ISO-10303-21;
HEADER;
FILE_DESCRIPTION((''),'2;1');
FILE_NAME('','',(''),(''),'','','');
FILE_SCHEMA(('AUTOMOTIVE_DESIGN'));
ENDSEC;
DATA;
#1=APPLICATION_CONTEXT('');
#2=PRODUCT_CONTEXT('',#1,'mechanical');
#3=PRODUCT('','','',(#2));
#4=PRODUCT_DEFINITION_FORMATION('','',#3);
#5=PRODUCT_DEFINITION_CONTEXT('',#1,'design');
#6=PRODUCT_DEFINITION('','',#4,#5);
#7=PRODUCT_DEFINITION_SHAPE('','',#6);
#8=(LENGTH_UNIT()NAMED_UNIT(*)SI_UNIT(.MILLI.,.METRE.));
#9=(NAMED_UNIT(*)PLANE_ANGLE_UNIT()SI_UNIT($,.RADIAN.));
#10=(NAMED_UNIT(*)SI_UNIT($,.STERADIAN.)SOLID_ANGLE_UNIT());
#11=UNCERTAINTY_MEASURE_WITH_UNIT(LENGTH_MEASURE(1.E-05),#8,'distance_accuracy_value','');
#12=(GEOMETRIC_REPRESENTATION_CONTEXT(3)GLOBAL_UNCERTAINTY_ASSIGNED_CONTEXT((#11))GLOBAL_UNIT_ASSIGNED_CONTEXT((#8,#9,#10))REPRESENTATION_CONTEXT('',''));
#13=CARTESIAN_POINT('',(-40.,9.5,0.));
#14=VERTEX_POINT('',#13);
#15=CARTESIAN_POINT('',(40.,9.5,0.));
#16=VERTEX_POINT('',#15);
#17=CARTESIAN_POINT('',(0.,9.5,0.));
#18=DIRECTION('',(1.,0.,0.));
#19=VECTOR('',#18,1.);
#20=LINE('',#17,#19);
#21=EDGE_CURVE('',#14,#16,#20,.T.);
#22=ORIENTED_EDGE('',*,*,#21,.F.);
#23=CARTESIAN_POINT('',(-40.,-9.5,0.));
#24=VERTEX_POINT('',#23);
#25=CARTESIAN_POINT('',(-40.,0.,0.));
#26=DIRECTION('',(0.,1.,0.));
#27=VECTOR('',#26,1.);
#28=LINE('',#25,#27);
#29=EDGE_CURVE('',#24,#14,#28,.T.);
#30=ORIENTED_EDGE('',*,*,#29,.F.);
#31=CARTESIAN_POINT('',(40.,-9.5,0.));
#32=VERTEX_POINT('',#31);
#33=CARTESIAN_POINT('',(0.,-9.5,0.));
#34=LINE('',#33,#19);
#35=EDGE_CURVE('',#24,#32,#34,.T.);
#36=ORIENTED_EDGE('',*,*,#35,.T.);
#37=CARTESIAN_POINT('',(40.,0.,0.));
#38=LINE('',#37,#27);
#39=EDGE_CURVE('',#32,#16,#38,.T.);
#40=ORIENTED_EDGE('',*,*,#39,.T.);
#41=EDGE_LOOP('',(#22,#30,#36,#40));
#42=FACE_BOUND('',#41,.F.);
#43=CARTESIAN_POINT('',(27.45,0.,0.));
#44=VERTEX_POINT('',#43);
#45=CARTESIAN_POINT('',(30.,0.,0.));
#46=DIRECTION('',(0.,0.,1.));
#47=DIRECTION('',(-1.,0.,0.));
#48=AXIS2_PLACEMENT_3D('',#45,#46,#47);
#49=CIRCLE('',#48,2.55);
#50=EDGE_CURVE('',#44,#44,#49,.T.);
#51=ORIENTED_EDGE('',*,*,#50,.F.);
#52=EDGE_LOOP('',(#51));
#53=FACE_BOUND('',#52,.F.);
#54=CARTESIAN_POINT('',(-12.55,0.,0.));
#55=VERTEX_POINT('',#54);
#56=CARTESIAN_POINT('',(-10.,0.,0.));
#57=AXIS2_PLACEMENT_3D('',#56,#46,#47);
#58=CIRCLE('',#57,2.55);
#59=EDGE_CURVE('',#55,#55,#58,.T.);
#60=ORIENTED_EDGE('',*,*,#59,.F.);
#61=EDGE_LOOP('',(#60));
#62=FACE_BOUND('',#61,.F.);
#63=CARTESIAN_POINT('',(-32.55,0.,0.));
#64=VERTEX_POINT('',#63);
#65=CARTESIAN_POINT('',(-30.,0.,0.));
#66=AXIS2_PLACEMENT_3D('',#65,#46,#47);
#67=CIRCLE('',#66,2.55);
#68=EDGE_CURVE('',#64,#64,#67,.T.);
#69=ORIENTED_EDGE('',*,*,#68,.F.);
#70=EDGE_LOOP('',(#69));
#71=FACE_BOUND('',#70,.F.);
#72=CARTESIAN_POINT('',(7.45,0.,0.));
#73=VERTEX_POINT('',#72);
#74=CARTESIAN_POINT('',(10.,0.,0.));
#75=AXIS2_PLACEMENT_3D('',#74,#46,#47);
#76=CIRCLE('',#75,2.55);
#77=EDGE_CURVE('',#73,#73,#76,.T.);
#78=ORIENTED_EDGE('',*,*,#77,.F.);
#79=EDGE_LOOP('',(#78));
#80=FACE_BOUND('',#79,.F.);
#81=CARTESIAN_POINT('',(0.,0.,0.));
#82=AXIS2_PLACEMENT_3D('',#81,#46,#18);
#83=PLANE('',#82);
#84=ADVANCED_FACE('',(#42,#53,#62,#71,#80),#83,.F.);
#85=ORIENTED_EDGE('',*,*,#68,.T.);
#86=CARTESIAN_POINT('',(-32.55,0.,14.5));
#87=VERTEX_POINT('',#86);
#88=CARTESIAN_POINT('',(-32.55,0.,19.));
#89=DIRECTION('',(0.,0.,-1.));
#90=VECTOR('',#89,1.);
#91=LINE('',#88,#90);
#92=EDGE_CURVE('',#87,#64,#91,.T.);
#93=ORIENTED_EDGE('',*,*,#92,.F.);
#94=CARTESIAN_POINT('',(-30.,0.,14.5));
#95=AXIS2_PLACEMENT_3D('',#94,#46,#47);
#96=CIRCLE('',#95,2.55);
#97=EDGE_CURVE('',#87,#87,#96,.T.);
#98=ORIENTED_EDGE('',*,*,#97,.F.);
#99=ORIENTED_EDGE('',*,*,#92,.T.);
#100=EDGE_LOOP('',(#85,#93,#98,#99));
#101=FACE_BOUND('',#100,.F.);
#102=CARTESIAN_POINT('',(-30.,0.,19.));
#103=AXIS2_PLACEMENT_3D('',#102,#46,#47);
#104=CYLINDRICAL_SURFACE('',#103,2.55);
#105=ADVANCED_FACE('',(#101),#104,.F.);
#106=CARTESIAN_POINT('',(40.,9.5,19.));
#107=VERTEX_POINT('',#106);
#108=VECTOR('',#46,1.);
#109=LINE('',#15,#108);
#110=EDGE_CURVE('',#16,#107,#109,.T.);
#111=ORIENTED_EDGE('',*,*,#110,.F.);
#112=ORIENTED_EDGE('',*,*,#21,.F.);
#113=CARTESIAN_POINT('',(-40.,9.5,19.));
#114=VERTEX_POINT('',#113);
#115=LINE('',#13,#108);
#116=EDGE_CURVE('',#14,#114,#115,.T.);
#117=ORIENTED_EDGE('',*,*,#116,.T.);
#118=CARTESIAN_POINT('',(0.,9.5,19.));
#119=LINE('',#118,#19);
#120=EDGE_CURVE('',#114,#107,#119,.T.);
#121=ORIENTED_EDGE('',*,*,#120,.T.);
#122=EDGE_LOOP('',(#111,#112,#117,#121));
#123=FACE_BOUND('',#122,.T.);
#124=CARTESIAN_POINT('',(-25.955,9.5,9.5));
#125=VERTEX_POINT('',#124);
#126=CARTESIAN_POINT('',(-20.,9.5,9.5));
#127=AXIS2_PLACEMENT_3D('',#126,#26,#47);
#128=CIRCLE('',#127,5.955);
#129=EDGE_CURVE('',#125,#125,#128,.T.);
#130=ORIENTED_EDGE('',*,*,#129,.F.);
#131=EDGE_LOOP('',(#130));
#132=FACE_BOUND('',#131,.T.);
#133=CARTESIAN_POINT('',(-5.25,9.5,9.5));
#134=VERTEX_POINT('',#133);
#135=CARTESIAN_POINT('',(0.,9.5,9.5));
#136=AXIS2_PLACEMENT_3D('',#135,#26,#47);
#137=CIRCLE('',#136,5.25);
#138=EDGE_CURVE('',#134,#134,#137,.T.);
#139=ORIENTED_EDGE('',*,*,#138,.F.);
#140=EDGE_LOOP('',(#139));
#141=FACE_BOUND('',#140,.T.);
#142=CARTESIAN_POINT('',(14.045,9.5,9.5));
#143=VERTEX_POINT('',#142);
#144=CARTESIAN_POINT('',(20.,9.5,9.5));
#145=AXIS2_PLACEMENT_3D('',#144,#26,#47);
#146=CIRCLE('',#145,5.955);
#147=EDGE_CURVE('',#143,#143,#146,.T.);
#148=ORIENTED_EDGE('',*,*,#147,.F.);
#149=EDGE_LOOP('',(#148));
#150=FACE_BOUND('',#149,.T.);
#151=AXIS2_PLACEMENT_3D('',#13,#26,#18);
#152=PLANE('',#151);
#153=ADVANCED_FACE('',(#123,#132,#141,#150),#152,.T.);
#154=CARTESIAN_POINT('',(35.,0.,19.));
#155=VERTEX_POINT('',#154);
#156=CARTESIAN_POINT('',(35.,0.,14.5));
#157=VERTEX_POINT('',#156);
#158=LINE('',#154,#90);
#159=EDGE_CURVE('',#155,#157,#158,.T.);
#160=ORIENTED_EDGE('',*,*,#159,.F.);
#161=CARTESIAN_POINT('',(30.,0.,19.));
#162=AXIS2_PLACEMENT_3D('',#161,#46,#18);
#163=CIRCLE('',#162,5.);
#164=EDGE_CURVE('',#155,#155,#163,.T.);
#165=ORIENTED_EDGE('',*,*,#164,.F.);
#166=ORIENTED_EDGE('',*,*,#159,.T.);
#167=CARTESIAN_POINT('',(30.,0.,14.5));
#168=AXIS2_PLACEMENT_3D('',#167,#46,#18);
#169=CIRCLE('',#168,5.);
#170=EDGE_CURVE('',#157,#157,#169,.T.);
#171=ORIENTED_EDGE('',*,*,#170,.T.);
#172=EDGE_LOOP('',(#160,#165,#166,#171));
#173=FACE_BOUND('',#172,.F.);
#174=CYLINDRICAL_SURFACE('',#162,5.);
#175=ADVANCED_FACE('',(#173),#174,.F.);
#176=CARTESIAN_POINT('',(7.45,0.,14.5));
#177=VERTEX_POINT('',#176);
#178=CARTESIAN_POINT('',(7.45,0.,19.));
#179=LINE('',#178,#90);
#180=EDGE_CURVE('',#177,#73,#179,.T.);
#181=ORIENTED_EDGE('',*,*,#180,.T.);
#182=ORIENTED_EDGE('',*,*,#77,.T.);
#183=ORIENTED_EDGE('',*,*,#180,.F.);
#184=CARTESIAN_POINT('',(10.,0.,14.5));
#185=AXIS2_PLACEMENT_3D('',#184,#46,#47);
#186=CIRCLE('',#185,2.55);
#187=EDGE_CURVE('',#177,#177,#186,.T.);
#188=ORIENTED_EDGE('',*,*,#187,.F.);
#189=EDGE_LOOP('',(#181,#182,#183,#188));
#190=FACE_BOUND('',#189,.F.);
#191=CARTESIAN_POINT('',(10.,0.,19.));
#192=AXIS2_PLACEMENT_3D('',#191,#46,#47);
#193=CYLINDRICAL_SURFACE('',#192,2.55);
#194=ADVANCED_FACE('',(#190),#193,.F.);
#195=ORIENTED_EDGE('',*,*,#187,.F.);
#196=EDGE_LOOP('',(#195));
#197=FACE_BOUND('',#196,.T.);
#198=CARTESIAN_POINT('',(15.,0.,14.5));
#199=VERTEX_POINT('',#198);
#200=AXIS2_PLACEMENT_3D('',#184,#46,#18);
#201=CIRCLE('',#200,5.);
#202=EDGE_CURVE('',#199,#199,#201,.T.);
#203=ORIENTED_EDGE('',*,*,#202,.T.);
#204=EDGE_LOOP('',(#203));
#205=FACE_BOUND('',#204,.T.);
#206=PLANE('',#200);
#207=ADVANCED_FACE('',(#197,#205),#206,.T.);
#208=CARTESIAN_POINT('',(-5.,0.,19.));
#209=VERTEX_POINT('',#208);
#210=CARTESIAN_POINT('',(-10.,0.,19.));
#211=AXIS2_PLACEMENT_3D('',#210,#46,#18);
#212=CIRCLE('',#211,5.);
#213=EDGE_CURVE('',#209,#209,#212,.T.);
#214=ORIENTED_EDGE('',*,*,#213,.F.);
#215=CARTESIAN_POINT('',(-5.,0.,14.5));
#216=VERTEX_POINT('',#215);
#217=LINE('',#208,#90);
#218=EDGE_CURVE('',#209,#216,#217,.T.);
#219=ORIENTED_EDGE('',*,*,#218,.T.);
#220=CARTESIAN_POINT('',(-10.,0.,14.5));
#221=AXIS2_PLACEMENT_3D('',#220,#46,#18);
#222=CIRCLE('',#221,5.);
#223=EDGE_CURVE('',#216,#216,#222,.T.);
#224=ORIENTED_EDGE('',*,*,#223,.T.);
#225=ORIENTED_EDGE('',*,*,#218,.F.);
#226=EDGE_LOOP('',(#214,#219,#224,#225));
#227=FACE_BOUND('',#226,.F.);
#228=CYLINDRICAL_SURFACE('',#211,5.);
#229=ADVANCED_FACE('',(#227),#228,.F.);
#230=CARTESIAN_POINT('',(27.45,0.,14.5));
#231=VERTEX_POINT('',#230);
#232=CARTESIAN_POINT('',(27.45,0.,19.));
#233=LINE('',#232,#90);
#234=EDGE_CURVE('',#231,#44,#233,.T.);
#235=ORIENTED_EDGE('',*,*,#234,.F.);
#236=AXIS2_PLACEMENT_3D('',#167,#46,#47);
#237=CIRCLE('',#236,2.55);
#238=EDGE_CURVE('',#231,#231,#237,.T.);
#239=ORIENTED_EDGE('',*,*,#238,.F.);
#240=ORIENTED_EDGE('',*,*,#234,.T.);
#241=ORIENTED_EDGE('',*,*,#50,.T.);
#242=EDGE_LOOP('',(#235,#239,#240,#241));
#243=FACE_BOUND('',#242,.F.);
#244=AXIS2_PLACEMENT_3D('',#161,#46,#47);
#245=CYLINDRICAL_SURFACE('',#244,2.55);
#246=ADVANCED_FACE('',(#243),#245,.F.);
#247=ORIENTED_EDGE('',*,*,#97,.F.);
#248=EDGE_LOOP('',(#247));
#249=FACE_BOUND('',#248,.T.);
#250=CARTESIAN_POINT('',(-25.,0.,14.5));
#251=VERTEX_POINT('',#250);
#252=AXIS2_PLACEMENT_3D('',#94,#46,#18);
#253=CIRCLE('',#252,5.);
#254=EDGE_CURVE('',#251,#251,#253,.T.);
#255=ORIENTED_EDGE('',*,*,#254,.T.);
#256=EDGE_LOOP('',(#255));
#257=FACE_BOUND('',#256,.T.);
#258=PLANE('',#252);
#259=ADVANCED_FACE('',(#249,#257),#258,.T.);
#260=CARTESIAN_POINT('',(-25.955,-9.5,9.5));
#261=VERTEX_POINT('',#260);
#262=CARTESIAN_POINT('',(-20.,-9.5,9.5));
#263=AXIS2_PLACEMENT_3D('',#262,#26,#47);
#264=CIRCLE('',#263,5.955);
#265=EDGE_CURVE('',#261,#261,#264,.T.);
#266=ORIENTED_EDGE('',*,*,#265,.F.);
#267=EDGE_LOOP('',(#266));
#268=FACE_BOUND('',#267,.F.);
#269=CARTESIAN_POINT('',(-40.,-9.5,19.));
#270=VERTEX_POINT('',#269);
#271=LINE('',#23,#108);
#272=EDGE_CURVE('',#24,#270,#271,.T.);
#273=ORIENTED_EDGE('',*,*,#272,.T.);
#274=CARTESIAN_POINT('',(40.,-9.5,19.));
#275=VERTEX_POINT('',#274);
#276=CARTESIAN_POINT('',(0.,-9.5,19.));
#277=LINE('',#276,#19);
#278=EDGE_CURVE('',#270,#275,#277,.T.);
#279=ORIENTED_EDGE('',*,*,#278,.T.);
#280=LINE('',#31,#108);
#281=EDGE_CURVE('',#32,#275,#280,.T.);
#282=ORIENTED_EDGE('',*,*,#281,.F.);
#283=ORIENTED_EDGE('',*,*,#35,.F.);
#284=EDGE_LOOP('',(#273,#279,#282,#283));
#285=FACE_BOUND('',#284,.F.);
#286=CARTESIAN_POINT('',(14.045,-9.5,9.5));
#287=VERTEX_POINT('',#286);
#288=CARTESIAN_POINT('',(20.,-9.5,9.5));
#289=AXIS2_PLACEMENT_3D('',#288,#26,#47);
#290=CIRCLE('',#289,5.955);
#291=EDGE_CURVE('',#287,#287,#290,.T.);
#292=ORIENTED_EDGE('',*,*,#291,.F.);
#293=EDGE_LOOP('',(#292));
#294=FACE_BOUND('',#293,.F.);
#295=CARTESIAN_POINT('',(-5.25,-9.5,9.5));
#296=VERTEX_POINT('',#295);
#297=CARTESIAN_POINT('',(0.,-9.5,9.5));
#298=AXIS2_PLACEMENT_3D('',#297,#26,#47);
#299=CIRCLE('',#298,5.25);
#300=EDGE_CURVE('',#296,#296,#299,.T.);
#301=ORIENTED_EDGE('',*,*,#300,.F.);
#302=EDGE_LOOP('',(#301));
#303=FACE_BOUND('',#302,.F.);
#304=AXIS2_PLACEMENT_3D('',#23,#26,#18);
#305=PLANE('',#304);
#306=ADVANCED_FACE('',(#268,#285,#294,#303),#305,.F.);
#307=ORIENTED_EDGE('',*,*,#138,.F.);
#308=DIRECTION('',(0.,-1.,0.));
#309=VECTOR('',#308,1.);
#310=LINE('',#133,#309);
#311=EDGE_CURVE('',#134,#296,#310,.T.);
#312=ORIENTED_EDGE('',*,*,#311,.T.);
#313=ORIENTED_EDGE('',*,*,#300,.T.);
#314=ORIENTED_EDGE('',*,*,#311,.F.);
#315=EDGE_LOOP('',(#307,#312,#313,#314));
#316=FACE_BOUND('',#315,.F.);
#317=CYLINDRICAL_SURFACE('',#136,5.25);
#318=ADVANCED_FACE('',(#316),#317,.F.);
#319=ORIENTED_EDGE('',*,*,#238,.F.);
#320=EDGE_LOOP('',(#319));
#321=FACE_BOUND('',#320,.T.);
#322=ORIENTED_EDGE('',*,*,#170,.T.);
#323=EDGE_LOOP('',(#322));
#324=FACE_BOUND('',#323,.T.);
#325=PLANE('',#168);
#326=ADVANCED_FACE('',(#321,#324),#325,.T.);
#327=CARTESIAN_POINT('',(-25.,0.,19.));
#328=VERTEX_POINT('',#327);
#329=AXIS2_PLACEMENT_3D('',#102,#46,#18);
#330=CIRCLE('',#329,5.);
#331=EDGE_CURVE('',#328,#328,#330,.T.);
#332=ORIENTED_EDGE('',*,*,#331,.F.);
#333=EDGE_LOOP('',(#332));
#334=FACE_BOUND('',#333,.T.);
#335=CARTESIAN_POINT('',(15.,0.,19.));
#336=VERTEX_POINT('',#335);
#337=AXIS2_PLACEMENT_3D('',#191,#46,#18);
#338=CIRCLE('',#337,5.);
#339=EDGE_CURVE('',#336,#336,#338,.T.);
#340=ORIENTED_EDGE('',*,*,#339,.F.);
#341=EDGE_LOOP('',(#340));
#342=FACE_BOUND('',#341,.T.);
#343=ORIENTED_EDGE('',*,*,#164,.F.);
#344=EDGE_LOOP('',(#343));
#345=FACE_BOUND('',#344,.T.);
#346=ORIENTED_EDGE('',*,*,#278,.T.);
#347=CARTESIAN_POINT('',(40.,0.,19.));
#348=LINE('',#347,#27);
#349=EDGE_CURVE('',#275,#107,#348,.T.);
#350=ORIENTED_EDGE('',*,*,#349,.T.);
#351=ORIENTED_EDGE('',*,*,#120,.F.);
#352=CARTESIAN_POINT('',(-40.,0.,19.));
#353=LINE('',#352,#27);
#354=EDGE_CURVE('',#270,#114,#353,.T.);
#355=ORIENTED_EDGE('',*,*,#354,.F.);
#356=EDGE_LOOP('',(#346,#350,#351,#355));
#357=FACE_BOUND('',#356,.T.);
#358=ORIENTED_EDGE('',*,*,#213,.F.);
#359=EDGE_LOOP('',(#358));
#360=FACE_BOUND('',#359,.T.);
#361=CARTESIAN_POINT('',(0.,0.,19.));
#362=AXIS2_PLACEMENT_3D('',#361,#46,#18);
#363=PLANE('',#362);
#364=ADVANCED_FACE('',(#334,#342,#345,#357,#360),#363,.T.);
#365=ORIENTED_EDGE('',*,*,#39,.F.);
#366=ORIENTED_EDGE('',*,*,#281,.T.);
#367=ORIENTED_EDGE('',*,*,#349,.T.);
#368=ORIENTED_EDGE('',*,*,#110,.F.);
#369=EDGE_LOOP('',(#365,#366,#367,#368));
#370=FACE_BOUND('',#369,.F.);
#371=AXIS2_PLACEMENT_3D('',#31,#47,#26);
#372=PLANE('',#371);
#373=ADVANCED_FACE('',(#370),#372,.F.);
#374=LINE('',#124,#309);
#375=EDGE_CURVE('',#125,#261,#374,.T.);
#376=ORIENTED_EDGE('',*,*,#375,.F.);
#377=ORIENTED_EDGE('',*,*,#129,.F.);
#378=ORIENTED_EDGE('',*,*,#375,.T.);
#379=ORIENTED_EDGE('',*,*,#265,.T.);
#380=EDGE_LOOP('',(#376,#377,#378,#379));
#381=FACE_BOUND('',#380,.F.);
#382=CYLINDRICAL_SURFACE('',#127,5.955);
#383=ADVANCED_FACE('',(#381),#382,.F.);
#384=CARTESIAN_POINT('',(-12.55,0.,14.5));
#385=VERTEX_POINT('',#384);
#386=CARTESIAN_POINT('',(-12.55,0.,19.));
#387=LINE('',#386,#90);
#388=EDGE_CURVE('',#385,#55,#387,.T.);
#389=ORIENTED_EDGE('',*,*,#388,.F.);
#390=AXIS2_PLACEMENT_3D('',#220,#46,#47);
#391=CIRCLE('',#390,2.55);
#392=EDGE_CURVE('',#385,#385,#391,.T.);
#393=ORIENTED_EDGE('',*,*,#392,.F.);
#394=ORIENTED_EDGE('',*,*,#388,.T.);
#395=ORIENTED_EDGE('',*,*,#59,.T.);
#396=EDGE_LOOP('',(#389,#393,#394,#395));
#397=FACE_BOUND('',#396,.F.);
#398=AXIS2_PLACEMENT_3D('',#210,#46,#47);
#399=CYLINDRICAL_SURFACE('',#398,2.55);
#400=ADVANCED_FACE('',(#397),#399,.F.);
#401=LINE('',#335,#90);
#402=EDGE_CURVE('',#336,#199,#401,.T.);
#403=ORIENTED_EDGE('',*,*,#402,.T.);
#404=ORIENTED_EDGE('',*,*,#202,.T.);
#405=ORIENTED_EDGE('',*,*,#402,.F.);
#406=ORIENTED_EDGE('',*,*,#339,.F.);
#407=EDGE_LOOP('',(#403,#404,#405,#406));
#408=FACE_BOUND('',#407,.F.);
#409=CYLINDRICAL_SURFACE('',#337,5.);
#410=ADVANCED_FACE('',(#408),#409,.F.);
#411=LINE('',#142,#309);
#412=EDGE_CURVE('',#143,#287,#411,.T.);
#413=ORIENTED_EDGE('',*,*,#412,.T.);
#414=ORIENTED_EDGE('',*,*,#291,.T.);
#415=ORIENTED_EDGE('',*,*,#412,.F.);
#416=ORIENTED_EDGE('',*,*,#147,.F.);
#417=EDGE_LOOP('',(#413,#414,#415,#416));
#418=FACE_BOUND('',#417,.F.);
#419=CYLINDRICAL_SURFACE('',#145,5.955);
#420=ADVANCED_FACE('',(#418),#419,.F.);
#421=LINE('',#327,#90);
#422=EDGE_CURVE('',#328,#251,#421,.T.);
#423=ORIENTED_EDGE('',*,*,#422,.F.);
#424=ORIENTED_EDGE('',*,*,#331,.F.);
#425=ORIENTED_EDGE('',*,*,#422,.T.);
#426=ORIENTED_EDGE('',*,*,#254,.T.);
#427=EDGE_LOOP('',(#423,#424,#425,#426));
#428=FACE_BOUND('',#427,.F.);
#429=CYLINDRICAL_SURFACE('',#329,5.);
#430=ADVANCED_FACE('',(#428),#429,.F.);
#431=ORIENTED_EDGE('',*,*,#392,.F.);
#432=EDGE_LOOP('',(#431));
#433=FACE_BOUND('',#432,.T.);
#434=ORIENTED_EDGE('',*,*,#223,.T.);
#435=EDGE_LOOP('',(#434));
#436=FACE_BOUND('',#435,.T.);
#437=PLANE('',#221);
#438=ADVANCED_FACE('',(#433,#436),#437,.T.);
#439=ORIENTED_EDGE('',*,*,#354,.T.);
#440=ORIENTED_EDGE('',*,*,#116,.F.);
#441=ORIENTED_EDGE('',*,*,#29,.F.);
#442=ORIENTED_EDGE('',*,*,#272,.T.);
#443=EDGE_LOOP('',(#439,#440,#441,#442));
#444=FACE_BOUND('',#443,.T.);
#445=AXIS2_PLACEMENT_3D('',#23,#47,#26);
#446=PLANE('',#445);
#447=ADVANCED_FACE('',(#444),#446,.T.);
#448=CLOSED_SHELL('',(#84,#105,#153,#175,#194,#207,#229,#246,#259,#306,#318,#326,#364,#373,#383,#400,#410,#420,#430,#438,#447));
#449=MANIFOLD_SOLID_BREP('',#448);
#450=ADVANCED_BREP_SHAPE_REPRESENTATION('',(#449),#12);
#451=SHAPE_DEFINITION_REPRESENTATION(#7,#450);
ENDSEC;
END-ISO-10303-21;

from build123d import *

# Parameters (mm, degrees)
F0_W     = 80
F0_H     = 19
F1_DEPTH = 19
F2_R     = 5.955
F2_R_2   = 5.25
F3_DEPTH = 19.001
F5_DEPTH = 19.001
F6_R     = 5
F7_DEPTH = 4.5


with BuildPart() as f1:
    # F0 (on Top) → F1 (new body)
    with BuildSketch(Plane.XY):
        Rectangle(F0_W, F0_H)
    extrude(amount=F1_DEPTH)

    # F2 (on face) → F3 (cut, through all)
    with BuildSketch(Plane(origin=(0, 9.5, 0), x_dir=(-1, 0, 0), z_dir=(0, 1, 0))):
        with Locations((20, 9.5)):
            Circle(F2_R)
        with Locations((-20, 9.5)):
            Circle(F2_R)
        with Locations((0, 9.5)):
            Circle(F2_R_2)
    extrude(amount=-F3_DEPTH, mode=Mode.SUBTRACT)

    # F4 (on face) → F5 (cut, through all)
    with BuildSketch(Plane.XY.offset(19)):
        with BuildLine():
            ThreePointArc((-27.45, 0), (-30, 2.55), (-32.55, 0))
            Line((-32.55, 0), (-27.45, 0))
        make_face()
        with BuildLine():
            ThreePointArc((32.55, 0), (30, 2.55), (27.45, 0))
            Line((27.45, 0), (32.55, 0))
        make_face()
        with BuildLine():
            Line((32.55, 0), (27.45, 0))
            ThreePointArc((27.45, 0), (30, -2.55), (32.55, 0))
        make_face()
        with BuildLine():
            ThreePointArc((12.55, 0), (10, 2.55), (7.45, 0))
            Line((7.45, 0), (12.55, 0))
        make_face()
        with BuildLine():
            Line((12.55, 0), (7.45, 0))
            ThreePointArc((7.45, 0), (10, -2.55), (12.55, 0))
        make_face()
        with BuildLine():
            ThreePointArc((-7.45, 0), (-10, 2.55), (-12.55, 0))
            Line((-12.55, 0), (-7.45, 0))
        make_face()
        with BuildLine():
            Line((-7.45, 0), (-12.55, 0))
            ThreePointArc((-12.55, 0), (-10, -2.55), (-7.45, 0))
        make_face()
        with BuildLine():
            Line((-27.45, 0), (-32.55, 0))
            ThreePointArc((-32.55, 0), (-30, -2.55), (-27.45, 0))
        make_face()
    extrude(amount=-F5_DEPTH, mode=Mode.SUBTRACT)

    # F6 (on face) → F7 (cut)
    with BuildSketch(Plane.XY.offset(19)):
        with Locations((-30, 0)):
            Circle(F6_R)
        with Locations((-10, 0)):
            Circle(F6_R)
        with Locations((10, 0)):
            Circle(F6_R)
        with Locations((30, 0)):
            Circle(F6_R)
    extrude(amount=-F7_DEPTH, mode=Mode.SUBTRACT)


solid = f1.part
